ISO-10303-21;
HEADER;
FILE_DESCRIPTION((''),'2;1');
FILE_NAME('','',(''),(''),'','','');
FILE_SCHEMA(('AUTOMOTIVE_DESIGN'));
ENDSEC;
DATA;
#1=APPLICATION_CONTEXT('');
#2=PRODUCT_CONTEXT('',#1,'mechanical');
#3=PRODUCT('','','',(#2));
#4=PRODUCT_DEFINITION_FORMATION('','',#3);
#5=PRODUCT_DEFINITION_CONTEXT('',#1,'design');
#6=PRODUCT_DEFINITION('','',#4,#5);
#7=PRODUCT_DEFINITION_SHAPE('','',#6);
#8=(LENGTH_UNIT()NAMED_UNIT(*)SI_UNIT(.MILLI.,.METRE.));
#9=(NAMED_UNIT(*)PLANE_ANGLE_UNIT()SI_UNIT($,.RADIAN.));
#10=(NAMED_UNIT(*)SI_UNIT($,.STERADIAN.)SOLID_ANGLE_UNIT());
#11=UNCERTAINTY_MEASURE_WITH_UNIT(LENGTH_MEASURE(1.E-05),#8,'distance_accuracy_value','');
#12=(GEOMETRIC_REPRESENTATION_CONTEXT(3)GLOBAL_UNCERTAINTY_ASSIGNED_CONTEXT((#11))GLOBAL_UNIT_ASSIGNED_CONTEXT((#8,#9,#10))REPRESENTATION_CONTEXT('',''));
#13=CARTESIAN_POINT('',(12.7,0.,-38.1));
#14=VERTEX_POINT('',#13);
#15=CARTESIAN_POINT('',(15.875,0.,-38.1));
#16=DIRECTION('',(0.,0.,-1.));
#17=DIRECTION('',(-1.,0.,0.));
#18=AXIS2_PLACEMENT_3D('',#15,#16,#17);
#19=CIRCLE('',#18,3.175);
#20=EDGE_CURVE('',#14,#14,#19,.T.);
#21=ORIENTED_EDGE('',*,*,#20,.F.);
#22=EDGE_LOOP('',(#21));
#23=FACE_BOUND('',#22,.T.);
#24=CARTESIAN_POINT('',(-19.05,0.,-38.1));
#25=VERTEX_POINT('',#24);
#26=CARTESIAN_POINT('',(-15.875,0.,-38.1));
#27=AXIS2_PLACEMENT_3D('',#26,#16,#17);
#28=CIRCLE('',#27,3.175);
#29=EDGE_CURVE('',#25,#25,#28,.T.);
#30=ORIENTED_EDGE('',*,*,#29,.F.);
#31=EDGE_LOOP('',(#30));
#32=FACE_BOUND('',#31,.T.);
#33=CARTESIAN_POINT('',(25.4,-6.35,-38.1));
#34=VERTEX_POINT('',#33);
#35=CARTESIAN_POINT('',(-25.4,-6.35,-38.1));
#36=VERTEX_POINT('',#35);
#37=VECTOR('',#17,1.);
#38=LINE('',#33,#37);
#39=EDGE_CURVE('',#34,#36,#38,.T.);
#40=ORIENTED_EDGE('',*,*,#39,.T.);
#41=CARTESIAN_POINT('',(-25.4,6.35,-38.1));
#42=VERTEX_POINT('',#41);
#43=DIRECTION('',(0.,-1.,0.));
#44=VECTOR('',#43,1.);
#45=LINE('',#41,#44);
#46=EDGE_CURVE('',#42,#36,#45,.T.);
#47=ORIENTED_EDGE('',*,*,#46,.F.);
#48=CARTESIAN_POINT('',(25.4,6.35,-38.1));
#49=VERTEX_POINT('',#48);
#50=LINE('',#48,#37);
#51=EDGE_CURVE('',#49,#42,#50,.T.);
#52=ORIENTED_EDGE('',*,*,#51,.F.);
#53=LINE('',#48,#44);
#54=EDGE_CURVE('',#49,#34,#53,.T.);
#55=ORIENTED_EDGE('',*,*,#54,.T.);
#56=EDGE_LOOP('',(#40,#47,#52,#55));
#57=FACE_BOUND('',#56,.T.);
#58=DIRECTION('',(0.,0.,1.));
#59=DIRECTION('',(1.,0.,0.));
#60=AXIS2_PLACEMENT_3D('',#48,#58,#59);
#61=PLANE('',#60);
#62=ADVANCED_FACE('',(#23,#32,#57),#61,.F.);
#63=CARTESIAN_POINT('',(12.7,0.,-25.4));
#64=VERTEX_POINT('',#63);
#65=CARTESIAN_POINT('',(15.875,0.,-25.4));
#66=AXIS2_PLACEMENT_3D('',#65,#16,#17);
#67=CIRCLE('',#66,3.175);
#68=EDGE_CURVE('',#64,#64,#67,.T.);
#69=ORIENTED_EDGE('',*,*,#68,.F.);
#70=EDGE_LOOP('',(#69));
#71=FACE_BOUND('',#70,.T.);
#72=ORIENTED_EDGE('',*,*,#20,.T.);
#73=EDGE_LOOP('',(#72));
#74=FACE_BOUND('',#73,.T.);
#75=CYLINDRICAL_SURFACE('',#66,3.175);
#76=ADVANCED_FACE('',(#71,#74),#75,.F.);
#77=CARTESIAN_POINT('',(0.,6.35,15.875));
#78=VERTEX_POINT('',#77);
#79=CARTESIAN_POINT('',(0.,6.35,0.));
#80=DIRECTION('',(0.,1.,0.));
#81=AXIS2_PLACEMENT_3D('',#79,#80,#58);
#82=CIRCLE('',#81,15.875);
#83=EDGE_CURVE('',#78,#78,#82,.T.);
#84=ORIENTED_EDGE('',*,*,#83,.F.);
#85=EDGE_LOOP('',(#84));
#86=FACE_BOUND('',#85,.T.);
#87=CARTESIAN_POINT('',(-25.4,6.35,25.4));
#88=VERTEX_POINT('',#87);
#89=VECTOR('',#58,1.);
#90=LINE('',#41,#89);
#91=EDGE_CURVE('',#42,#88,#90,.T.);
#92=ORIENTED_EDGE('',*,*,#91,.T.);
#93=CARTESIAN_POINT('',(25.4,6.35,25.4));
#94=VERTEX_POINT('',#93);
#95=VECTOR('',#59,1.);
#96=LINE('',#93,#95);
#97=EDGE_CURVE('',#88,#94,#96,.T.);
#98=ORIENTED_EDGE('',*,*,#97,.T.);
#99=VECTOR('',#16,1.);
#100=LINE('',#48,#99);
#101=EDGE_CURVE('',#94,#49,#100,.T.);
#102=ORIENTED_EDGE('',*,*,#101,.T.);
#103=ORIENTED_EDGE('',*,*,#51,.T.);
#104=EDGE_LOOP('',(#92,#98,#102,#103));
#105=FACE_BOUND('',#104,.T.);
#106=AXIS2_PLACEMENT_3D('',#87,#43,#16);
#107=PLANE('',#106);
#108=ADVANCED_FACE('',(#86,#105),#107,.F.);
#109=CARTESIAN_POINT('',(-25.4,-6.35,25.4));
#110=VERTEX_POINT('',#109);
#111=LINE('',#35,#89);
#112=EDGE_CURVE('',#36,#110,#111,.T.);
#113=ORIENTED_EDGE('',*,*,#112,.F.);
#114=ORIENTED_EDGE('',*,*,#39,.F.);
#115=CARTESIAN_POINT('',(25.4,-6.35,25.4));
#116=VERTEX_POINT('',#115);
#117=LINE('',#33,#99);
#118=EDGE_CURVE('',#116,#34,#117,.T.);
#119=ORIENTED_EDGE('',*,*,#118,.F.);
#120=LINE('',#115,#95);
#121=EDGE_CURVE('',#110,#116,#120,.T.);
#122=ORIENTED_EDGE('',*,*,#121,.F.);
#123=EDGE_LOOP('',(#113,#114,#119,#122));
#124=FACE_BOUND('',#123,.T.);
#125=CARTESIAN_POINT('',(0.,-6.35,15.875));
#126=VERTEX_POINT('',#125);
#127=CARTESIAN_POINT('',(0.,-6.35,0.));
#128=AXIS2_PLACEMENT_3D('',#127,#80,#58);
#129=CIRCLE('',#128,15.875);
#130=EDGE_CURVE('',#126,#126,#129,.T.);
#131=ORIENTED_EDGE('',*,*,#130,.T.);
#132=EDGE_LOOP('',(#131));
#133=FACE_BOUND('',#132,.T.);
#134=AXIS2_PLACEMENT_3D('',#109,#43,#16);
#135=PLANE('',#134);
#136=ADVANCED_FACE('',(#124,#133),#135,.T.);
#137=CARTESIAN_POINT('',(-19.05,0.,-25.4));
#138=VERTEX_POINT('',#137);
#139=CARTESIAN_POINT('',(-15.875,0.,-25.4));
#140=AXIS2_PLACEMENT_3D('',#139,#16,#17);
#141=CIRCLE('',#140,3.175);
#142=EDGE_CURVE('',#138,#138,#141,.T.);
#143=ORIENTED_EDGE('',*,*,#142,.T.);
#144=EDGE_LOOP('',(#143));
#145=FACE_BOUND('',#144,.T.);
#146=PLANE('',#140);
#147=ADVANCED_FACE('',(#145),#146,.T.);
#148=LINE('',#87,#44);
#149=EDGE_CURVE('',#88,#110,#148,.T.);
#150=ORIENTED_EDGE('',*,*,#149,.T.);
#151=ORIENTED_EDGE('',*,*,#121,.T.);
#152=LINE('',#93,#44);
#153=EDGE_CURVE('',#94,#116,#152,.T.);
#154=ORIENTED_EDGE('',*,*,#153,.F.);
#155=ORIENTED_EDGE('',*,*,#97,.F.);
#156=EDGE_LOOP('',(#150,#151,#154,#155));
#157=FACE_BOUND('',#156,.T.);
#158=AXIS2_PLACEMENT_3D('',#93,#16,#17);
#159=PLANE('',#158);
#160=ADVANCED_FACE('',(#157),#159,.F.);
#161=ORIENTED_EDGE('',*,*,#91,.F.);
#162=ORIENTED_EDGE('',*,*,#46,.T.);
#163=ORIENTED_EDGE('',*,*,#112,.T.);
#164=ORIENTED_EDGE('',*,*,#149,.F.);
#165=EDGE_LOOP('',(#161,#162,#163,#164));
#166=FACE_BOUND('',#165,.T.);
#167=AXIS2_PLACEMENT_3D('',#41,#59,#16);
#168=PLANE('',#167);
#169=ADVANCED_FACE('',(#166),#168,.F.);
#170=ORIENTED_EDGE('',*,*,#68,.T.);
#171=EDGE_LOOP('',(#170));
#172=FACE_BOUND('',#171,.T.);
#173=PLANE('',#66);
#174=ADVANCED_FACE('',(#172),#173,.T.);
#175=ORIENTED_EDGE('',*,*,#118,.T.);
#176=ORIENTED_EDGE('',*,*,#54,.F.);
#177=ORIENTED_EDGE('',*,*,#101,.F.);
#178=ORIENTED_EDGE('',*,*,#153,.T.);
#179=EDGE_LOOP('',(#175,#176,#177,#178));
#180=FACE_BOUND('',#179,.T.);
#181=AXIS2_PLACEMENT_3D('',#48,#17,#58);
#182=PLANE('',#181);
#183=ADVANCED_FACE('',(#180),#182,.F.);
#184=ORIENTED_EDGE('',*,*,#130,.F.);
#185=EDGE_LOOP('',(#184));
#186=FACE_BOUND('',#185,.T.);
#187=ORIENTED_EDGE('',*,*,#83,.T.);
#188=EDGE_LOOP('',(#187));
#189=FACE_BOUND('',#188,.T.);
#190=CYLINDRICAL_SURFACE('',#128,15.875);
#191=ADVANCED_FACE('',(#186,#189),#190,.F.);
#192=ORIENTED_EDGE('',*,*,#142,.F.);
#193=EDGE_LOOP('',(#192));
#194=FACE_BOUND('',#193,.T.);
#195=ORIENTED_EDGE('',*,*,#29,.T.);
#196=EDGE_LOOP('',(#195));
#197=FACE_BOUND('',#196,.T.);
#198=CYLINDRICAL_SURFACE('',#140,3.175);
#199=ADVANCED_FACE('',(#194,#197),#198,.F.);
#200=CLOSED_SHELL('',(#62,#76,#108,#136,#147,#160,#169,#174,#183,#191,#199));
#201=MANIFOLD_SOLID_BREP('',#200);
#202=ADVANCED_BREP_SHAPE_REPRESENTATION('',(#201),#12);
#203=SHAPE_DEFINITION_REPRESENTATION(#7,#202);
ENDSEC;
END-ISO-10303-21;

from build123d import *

# Parameters (mm, degrees)
SKETCH1_W           = 50.8
SKETCH1_H           = 63.5
BOSS_EXTRUDE1_DEPTH = 6.35
SKETCH2_R           = 15.875
CUT_EXTRUDE1_DEPTH  = 13.7
SKETCH3_R           = 3.175
CUT_EXTRUDE2_DEPTH  = 12.7


with BuildPart() as part:
    # Sketch1 → Boss-Extrude1 (new body, symmetric)
    with BuildSketch(Plane(origin=(0, 0, 0), x_dir=(1, 0, 0), z_dir=(0, 1, 0))):
        with Locations((0, 6.35)):
            Rectangle(SKETCH1_W, SKETCH1_H)
    extrude(amount=BOSS_EXTRUDE1_DEPTH, both=True)

    # Sketch2 → Cut-Extrude1 (cut, through all)
    with BuildSketch(Plane(origin=(0, 6.35, 0), x_dir=(1, 0, 0), z_dir=(0, 1, 0))):
        Circle(SKETCH2_R)
    extrude(amount=-CUT_EXTRUDE1_DEPTH, mode=Mode.SUBTRACT)

    # Sketch3 → Cut-Extrude2 (cut)
    with BuildSketch(Plane(origin=(0, 0, -38.1), x_dir=(-1, 0, 0), z_dir=(0, 0, -1))):
        with Locations((-15.875, 0)):
            Circle(SKETCH3_R)
        with Locations((15.875, 0)):
            Circle(SKETCH3_R)
    extrude(amount=-CUT_EXTRUDE2_DEPTH, mode=Mode.SUBTRACT)


solid = part.part
